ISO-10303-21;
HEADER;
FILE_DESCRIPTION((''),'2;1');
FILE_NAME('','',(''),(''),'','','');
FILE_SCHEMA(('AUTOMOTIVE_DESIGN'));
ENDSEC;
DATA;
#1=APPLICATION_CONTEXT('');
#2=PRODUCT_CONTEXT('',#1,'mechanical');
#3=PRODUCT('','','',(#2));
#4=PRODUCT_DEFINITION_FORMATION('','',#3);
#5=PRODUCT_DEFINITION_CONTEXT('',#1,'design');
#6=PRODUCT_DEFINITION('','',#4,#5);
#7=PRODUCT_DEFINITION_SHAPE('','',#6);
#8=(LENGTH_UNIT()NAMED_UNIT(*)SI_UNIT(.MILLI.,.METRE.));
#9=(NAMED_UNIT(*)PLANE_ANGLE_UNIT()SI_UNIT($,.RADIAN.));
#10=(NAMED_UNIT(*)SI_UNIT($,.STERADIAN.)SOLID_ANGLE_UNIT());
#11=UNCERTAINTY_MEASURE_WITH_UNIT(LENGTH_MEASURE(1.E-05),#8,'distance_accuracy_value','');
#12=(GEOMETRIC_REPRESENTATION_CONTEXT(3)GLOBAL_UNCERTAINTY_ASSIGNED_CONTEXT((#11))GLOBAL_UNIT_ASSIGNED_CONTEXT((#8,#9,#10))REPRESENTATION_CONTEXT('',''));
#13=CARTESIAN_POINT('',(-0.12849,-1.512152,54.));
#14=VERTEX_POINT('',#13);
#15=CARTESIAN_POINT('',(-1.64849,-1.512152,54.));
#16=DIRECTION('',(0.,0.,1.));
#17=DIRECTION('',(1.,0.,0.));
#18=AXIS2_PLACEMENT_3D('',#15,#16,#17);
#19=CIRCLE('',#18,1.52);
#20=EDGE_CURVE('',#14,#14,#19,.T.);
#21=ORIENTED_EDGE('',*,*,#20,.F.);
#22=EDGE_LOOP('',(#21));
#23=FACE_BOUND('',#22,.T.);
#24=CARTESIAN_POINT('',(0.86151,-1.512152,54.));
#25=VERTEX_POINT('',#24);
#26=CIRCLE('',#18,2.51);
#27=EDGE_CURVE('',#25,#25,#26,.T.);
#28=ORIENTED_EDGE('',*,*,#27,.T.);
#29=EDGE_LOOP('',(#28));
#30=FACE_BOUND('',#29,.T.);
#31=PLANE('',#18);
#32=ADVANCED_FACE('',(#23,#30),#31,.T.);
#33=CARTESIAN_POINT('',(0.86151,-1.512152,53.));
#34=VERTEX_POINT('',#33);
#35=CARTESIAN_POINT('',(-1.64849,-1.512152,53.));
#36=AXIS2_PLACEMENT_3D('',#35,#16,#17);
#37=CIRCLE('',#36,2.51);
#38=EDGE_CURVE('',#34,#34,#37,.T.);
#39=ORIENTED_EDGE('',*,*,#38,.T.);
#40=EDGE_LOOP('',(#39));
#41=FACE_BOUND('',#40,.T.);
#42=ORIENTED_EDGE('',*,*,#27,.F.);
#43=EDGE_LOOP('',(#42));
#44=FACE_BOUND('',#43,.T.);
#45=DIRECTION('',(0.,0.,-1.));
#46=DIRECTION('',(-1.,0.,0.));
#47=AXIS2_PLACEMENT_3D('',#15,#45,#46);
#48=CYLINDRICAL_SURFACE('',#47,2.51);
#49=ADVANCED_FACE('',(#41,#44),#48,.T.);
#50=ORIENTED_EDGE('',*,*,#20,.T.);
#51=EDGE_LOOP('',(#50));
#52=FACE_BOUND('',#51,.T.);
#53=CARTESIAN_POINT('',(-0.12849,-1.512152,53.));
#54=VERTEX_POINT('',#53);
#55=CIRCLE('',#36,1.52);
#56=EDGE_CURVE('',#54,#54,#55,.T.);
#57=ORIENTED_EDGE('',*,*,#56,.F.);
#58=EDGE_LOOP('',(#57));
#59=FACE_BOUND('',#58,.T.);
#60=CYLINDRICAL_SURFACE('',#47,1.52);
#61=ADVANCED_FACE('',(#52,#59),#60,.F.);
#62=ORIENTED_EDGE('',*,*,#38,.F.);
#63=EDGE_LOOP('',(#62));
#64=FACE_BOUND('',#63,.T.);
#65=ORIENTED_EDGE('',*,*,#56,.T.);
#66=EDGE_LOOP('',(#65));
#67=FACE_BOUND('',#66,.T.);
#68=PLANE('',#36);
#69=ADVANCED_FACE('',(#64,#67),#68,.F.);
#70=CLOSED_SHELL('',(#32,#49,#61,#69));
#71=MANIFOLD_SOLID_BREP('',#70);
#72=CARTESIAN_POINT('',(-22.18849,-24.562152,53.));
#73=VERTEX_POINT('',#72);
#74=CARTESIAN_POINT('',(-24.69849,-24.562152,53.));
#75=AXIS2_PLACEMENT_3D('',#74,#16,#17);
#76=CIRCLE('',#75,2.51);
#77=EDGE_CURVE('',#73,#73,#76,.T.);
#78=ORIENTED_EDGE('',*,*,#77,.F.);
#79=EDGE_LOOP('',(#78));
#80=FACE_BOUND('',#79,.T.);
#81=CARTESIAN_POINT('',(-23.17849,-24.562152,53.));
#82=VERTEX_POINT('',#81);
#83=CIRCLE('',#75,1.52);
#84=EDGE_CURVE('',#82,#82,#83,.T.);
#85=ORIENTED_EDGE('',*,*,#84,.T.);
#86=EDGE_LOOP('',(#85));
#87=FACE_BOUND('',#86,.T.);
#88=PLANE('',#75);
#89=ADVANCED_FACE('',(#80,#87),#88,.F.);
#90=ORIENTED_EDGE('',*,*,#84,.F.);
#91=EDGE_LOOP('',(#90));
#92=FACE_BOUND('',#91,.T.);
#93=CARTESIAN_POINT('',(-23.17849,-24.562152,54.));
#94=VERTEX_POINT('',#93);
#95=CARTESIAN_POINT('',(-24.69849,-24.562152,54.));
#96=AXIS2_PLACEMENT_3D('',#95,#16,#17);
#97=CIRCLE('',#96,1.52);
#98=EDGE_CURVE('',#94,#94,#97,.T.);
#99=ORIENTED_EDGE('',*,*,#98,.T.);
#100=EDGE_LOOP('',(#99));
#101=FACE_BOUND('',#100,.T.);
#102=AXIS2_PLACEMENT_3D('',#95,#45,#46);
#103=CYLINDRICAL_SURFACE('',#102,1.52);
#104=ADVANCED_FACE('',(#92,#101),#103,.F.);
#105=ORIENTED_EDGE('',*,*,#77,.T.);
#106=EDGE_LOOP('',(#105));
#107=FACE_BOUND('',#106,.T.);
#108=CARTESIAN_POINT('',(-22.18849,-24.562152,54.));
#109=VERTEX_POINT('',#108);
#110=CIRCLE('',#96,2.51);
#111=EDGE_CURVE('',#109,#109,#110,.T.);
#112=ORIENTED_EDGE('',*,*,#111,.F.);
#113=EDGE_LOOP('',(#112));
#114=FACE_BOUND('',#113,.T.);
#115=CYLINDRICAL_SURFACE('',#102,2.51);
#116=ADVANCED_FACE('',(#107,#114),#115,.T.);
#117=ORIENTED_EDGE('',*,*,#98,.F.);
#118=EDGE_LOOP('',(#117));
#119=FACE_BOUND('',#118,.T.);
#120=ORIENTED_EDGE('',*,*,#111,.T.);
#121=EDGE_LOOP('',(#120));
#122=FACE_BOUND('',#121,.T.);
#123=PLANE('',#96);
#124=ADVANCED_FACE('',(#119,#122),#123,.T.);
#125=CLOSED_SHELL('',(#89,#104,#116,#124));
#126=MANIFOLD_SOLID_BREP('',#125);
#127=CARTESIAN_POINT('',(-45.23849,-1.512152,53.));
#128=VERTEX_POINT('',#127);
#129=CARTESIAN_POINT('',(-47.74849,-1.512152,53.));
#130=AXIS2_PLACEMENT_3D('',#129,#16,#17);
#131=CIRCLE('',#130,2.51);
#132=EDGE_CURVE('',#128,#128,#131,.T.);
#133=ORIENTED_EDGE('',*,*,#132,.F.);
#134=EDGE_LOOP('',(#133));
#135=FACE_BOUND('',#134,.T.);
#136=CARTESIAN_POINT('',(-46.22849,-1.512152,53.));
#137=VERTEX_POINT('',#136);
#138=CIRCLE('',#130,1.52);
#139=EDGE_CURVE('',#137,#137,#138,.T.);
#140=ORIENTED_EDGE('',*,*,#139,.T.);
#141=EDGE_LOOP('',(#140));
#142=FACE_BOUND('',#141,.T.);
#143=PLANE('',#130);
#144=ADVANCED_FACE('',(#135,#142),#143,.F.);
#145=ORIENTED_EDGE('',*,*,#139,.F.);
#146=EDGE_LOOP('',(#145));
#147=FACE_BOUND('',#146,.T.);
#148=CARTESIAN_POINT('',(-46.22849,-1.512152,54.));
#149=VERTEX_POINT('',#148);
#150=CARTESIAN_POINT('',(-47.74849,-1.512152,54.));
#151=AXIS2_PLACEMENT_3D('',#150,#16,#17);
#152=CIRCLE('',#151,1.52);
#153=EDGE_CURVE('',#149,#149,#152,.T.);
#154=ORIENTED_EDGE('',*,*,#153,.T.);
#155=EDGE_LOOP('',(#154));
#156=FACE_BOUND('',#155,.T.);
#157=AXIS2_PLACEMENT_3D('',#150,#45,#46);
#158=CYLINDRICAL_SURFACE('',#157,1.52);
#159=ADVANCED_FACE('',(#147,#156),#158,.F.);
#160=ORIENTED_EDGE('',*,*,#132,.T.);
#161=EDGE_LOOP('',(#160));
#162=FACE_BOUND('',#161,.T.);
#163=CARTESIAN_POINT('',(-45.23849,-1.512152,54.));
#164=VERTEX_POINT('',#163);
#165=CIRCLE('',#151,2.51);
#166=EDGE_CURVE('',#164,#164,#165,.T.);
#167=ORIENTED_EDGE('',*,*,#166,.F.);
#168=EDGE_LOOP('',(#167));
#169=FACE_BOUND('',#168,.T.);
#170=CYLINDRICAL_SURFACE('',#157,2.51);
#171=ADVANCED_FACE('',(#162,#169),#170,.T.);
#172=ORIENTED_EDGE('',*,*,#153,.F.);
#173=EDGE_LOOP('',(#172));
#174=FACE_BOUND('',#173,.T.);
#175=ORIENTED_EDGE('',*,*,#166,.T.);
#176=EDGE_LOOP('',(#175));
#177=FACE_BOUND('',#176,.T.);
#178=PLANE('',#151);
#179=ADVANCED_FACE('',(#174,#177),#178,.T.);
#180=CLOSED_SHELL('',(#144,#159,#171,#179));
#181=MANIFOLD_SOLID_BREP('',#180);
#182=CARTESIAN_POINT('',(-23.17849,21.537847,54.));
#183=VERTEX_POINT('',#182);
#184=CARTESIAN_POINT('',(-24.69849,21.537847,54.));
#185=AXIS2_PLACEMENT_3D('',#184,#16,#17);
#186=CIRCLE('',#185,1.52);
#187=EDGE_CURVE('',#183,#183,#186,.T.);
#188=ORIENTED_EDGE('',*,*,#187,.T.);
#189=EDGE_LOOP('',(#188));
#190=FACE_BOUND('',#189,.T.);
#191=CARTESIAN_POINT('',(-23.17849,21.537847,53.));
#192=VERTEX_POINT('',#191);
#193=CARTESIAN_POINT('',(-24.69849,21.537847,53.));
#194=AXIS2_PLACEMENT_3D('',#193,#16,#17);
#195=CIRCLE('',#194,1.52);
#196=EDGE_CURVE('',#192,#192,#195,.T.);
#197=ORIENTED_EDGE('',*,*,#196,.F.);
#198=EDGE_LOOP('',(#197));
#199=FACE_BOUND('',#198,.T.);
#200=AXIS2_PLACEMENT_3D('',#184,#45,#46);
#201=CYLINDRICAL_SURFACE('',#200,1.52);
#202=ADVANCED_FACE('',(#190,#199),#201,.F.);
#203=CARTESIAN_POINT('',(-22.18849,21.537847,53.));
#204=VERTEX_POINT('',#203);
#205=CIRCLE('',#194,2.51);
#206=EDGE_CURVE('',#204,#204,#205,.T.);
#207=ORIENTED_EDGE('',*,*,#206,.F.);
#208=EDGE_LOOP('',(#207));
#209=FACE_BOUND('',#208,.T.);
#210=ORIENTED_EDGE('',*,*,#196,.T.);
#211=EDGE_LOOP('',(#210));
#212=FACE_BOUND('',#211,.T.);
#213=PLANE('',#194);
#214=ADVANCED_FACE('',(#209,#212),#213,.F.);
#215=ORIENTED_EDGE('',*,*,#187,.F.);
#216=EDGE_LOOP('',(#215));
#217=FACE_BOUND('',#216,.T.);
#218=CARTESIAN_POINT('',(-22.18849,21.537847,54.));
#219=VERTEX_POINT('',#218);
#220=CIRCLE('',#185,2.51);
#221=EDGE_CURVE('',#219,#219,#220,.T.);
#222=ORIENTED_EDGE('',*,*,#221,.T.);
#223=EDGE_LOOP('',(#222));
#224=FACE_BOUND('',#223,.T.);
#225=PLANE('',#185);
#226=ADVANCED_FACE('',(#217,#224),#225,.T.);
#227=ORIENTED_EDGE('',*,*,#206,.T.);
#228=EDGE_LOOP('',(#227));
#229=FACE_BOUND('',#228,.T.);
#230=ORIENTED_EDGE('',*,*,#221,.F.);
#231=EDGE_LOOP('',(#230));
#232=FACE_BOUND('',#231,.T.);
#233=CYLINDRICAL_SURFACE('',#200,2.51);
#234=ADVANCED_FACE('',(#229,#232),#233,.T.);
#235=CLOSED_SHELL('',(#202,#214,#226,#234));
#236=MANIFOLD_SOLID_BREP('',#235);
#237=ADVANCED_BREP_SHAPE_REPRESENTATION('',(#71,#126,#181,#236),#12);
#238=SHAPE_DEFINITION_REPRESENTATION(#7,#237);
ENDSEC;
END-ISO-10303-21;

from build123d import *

# Parameters (mm, degrees)
SKETCH_1_R        = 2.51
SKETCH_1_R_2      = 1.52
EXTRUDE_1_DEPTH   = 1
EXTRUDE_1_2_DEPTH = 1
EXTRUDE_1_3_DEPTH = 1
EXTRUDE_1_4_DEPTH = 1


with BuildPart() as part:
    # 草图1 → 凸台-拉伸1 (new body)
    with BuildSketch(Plane.XY.offset(53)):
        with Locations((-24.698490112, 21.537847164)):
            Circle(SKETCH_1_R)
        with Locations((-24.698490112, 21.537847164)):
            Circle(SKETCH_1_R_2, mode=Mode.SUBTRACT)
    extrude(amount=EXTRUDE_1_DEPTH)


with BuildPart() as body_2:
    # 草图1 → Extrude 1 2 (new body)
    with BuildSketch(Plane.XY.offset(53)):
        with Locations((-1.648490492, -1.512152456)):
            Circle(SKETCH_1_R)
        with Locations((-1.648490492, -1.512152456)):
            Circle(SKETCH_1_R_2, mode=Mode.SUBTRACT)
    extrude(amount=EXTRUDE_1_2_DEPTH)


with BuildPart() as body_3:
    # 草图1 → Extrude 1 3 (new body)
    with BuildSketch(Plane.XY.offset(53)):
        with Locations((-24.698490112, -24.562152076)):
            Circle(SKETCH_1_R)
        with Locations((-24.698490112, -24.562152076)):
            Circle(SKETCH_1_R_2, mode=Mode.SUBTRACT)
    extrude(amount=EXTRUDE_1_3_DEPTH)


with BuildPart() as body_4:
    # 草图1 → Extrude 1 4 (new body)
    with BuildSketch(Plane.XY.offset(53)):
        with Locations((-47.748489732, -1.512152456)):
            Circle(SKETCH_1_R)
        with Locations((-47.748489732, -1.512152456)):
            Circle(SKETCH_1_R_2, mode=Mode.SUBTRACT)
    extrude(amount=EXTRUDE_1_4_DEPTH)


solid = Compound([part.part, body_2.part, body_3.part, body_4.part])
